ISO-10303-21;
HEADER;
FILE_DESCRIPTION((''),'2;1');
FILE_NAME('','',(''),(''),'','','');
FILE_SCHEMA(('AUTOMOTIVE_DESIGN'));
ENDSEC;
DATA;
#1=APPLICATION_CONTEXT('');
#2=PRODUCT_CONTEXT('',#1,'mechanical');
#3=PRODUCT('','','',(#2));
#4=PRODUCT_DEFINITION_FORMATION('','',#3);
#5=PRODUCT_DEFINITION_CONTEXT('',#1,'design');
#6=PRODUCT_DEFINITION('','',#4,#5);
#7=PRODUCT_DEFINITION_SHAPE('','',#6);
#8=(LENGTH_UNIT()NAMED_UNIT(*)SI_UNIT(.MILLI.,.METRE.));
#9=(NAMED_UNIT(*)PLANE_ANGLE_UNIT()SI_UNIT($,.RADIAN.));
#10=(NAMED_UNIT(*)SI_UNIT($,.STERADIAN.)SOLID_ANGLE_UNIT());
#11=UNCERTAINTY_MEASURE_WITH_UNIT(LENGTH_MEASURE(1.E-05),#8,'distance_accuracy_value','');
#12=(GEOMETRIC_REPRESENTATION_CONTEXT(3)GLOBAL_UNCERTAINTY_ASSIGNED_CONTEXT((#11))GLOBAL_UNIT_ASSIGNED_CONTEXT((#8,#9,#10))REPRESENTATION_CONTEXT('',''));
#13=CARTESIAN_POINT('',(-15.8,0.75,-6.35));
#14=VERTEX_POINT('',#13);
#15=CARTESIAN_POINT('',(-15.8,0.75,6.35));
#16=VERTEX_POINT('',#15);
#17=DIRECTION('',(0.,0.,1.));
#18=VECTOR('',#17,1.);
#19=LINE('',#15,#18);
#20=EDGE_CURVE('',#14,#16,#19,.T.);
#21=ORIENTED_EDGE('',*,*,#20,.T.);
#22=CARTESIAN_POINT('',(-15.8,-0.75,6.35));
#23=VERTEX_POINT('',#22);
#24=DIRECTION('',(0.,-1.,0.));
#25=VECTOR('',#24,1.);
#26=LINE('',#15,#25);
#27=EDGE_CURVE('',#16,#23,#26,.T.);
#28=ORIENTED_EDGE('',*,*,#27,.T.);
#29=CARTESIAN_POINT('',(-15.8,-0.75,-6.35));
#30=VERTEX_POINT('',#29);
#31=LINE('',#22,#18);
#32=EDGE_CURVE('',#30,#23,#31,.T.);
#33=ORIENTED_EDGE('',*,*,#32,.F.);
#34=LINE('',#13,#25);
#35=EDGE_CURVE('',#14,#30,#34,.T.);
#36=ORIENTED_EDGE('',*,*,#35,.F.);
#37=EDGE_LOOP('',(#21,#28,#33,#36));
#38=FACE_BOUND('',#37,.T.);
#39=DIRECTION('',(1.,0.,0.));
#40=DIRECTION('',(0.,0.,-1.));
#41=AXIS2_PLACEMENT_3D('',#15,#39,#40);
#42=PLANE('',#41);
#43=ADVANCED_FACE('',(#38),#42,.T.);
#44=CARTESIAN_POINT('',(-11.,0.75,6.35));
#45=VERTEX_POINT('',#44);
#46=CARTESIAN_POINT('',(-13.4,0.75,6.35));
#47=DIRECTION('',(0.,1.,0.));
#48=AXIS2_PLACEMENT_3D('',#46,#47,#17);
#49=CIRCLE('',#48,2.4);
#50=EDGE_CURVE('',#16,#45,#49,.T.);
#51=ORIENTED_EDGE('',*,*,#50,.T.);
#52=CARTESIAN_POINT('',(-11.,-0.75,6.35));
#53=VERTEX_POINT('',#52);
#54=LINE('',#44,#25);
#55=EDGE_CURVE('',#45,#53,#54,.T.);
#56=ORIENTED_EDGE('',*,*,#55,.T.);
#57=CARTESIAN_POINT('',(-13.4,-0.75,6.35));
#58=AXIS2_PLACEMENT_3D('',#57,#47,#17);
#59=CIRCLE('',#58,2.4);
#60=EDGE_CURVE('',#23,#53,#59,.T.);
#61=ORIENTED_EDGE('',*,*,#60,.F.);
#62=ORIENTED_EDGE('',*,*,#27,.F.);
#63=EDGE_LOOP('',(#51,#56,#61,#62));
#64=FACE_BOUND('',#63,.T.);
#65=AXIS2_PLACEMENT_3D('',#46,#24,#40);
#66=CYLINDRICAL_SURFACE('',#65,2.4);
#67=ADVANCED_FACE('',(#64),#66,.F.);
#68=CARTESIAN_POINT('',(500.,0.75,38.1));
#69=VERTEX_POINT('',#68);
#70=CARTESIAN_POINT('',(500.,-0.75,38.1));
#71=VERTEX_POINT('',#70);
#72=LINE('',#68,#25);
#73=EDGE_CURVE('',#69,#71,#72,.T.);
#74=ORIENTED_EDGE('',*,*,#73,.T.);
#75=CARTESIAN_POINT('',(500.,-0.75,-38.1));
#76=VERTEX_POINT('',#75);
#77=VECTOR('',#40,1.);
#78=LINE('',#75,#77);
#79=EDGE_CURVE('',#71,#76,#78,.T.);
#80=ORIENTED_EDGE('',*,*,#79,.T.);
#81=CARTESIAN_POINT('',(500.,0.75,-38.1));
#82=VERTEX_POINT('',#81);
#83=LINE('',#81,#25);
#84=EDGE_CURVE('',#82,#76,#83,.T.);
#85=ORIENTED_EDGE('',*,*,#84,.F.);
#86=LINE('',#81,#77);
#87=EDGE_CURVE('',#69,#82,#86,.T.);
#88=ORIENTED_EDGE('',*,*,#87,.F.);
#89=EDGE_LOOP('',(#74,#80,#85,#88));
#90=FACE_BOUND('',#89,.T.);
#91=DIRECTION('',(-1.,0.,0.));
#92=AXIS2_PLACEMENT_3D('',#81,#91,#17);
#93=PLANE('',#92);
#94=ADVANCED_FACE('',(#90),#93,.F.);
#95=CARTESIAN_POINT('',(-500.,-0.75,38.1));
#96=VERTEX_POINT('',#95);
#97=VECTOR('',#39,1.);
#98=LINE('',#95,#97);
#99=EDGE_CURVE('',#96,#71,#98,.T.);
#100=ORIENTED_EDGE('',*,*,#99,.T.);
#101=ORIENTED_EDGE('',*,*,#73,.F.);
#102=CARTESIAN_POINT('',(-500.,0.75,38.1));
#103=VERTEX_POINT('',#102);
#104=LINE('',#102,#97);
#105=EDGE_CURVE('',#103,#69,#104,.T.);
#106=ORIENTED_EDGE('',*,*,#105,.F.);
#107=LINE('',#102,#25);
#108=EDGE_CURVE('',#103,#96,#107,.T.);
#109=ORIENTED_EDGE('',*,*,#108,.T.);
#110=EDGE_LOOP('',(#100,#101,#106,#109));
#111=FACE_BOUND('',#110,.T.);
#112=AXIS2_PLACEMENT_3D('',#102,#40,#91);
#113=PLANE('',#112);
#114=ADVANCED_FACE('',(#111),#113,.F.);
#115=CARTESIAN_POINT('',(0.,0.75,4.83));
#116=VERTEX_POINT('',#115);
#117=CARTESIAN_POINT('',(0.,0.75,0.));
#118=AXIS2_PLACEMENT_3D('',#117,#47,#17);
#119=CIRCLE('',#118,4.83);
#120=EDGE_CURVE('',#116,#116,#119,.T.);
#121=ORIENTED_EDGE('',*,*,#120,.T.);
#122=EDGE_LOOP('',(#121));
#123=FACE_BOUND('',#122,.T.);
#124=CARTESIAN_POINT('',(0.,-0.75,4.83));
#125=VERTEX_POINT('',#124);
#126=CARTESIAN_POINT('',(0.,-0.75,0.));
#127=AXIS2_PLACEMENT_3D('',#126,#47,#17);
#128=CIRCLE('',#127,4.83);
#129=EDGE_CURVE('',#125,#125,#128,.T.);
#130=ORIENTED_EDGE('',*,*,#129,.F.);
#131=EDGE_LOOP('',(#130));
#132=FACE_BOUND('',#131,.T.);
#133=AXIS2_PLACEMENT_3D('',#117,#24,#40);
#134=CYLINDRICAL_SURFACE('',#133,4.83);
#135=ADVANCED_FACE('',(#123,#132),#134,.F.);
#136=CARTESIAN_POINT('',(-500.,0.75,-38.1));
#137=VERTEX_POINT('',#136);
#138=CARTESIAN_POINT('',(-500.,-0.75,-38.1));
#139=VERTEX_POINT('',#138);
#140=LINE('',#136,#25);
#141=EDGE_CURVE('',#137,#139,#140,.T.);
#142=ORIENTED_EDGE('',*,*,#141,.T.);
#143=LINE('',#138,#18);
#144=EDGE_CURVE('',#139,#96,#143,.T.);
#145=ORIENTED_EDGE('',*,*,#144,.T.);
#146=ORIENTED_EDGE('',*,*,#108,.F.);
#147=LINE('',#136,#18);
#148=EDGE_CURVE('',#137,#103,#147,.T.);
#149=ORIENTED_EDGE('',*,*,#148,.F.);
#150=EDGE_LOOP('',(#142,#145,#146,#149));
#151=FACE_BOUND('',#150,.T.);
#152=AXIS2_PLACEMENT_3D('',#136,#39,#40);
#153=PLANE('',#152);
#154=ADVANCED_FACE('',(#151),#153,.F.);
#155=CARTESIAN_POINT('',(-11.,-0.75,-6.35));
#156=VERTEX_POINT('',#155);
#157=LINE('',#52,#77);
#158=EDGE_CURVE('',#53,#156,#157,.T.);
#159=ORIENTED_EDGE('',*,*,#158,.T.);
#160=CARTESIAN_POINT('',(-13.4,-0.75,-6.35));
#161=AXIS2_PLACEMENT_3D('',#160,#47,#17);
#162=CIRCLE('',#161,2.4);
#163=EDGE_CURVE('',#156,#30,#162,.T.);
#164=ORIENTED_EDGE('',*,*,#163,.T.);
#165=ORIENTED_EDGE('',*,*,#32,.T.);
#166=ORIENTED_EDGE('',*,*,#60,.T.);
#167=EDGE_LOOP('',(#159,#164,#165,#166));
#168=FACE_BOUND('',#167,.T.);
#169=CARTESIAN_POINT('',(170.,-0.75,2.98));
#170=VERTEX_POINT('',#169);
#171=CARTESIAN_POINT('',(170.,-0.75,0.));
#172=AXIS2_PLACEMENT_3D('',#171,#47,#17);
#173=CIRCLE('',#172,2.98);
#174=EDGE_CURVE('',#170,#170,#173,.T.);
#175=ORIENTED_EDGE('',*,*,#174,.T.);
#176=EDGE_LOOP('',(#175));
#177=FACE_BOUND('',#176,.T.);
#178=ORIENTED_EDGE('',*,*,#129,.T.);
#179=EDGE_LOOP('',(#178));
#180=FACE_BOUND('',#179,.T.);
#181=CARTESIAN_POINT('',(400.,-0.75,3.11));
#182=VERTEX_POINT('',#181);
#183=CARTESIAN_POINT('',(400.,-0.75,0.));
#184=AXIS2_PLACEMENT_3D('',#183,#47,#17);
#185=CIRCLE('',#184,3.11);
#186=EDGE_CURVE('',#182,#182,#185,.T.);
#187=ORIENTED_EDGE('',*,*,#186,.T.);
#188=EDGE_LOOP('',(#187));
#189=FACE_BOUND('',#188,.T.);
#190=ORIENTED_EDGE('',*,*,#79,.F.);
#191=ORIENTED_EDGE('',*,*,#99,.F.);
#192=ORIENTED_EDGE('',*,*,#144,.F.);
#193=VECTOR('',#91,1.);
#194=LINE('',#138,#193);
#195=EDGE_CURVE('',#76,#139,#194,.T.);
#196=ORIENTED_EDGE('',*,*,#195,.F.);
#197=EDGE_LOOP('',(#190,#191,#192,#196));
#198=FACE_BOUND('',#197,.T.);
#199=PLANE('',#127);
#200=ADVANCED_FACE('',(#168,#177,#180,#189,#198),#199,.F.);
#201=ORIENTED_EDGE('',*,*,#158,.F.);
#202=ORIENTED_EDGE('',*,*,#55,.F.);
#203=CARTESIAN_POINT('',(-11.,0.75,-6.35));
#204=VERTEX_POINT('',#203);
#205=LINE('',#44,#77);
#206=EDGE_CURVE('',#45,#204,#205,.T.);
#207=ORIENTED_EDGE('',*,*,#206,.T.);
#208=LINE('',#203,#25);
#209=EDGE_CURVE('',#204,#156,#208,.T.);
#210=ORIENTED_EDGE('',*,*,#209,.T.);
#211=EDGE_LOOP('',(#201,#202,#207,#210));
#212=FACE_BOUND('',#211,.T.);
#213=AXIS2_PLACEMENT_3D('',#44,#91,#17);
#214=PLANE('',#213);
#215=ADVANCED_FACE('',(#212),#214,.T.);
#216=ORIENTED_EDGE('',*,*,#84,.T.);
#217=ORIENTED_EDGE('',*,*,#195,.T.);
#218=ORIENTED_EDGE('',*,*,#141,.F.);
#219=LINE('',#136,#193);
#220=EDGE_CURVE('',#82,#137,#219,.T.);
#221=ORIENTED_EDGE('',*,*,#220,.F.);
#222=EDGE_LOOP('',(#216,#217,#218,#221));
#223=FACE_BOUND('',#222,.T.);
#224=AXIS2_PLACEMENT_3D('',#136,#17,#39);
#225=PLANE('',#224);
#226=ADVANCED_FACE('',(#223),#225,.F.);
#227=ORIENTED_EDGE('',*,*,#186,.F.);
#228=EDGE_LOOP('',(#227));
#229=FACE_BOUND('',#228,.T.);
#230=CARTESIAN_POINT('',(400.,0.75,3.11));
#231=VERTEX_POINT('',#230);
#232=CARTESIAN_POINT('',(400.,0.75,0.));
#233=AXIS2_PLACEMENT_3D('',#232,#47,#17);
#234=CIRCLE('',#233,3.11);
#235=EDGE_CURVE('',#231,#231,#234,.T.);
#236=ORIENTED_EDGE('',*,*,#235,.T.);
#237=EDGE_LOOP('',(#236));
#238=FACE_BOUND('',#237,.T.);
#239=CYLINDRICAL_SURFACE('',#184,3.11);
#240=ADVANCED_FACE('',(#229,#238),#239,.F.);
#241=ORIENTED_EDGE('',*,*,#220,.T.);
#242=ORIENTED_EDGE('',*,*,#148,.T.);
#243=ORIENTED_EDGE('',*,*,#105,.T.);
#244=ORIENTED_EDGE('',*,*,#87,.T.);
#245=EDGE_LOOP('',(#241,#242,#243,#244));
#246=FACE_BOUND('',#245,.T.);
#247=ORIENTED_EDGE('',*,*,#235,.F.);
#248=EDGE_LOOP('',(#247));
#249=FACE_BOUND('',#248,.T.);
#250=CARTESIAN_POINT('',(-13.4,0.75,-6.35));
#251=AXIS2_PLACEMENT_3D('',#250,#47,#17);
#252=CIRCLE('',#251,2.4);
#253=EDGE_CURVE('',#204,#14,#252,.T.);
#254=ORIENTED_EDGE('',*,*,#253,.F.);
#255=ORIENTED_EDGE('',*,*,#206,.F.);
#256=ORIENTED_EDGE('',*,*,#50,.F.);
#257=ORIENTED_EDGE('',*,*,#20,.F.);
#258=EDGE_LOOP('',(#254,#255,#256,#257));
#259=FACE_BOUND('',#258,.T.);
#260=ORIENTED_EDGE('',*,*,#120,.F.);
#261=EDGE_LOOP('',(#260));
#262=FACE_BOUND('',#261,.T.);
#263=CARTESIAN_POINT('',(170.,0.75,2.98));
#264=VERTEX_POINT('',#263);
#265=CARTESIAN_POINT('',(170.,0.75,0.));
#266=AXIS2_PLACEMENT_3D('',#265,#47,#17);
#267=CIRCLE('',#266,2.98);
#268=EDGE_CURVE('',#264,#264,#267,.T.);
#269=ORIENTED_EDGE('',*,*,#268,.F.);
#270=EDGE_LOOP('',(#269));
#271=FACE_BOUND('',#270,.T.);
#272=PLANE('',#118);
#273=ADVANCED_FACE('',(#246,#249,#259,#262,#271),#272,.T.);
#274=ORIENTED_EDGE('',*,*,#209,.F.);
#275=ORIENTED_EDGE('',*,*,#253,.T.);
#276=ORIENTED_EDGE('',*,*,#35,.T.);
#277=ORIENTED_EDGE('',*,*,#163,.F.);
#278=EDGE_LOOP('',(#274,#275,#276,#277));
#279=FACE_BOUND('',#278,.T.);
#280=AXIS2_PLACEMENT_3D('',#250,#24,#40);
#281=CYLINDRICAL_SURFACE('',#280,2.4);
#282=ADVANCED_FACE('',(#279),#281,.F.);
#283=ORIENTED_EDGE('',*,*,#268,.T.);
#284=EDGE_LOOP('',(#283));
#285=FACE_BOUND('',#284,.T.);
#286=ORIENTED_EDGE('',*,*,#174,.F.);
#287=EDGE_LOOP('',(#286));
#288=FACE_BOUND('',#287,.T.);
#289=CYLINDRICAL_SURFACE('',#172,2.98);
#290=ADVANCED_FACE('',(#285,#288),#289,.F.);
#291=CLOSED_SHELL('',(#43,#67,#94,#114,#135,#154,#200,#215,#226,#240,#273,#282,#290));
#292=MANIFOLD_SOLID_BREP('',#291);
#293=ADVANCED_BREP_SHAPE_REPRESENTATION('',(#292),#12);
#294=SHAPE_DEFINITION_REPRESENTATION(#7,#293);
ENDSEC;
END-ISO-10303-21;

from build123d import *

# Parameters (mm, degrees)
SKETCH1_W           = 1000
SKETCH1_H           = 76.2
SKETCH1_R           = 4.83
BOSS_EXTRUDE1_DEPTH = 0.75
SKETCH2_R           = 2.98
SKETCH2_R_2         = 3.11
CUT_EXTRUDE1_DEPTH  = 2.5


with BuildPart() as part:
    # Sketch1 → Boss-Extrude1 (new body, symmetric)
    with BuildSketch(Plane(origin=(0, 0, 0), x_dir=(1, 0, 0), z_dir=(0, 1, 0))):
        Rectangle(SKETCH1_W, SKETCH1_H)
        Circle(SKETCH1_R, mode=Mode.SUBTRACT)
        with BuildLine():
            Line((-15.8, -6.35), (-15.8, 6.35))
            ThreePointArc((-15.8, 6.35), (-13.4, 8.75), (-11, 6.35))
            Line((-11, 6.35), (-11, -6.35))
            ThreePointArc((-11, -6.35), (-13.4, -8.75), (-15.8, -6.35))
        make_face(mode=Mode.SUBTRACT)
    extrude(amount=BOSS_EXTRUDE1_DEPTH, both=True)

    # Sketch2 → Cut-Extrude1 (cut, through all)
    with BuildSketch(Plane(origin=(0, 0.75, 0), x_dir=(1, 0, 0), z_dir=(0, 1, 0))):
        with Locations((170, 0)):
            Circle(SKETCH2_R)
        with Locations((400, 0)):
            Circle(SKETCH2_R_2)
    extrude(amount=-CUT_EXTRUDE1_DEPTH, mode=Mode.SUBTRACT)


solid = part.part
